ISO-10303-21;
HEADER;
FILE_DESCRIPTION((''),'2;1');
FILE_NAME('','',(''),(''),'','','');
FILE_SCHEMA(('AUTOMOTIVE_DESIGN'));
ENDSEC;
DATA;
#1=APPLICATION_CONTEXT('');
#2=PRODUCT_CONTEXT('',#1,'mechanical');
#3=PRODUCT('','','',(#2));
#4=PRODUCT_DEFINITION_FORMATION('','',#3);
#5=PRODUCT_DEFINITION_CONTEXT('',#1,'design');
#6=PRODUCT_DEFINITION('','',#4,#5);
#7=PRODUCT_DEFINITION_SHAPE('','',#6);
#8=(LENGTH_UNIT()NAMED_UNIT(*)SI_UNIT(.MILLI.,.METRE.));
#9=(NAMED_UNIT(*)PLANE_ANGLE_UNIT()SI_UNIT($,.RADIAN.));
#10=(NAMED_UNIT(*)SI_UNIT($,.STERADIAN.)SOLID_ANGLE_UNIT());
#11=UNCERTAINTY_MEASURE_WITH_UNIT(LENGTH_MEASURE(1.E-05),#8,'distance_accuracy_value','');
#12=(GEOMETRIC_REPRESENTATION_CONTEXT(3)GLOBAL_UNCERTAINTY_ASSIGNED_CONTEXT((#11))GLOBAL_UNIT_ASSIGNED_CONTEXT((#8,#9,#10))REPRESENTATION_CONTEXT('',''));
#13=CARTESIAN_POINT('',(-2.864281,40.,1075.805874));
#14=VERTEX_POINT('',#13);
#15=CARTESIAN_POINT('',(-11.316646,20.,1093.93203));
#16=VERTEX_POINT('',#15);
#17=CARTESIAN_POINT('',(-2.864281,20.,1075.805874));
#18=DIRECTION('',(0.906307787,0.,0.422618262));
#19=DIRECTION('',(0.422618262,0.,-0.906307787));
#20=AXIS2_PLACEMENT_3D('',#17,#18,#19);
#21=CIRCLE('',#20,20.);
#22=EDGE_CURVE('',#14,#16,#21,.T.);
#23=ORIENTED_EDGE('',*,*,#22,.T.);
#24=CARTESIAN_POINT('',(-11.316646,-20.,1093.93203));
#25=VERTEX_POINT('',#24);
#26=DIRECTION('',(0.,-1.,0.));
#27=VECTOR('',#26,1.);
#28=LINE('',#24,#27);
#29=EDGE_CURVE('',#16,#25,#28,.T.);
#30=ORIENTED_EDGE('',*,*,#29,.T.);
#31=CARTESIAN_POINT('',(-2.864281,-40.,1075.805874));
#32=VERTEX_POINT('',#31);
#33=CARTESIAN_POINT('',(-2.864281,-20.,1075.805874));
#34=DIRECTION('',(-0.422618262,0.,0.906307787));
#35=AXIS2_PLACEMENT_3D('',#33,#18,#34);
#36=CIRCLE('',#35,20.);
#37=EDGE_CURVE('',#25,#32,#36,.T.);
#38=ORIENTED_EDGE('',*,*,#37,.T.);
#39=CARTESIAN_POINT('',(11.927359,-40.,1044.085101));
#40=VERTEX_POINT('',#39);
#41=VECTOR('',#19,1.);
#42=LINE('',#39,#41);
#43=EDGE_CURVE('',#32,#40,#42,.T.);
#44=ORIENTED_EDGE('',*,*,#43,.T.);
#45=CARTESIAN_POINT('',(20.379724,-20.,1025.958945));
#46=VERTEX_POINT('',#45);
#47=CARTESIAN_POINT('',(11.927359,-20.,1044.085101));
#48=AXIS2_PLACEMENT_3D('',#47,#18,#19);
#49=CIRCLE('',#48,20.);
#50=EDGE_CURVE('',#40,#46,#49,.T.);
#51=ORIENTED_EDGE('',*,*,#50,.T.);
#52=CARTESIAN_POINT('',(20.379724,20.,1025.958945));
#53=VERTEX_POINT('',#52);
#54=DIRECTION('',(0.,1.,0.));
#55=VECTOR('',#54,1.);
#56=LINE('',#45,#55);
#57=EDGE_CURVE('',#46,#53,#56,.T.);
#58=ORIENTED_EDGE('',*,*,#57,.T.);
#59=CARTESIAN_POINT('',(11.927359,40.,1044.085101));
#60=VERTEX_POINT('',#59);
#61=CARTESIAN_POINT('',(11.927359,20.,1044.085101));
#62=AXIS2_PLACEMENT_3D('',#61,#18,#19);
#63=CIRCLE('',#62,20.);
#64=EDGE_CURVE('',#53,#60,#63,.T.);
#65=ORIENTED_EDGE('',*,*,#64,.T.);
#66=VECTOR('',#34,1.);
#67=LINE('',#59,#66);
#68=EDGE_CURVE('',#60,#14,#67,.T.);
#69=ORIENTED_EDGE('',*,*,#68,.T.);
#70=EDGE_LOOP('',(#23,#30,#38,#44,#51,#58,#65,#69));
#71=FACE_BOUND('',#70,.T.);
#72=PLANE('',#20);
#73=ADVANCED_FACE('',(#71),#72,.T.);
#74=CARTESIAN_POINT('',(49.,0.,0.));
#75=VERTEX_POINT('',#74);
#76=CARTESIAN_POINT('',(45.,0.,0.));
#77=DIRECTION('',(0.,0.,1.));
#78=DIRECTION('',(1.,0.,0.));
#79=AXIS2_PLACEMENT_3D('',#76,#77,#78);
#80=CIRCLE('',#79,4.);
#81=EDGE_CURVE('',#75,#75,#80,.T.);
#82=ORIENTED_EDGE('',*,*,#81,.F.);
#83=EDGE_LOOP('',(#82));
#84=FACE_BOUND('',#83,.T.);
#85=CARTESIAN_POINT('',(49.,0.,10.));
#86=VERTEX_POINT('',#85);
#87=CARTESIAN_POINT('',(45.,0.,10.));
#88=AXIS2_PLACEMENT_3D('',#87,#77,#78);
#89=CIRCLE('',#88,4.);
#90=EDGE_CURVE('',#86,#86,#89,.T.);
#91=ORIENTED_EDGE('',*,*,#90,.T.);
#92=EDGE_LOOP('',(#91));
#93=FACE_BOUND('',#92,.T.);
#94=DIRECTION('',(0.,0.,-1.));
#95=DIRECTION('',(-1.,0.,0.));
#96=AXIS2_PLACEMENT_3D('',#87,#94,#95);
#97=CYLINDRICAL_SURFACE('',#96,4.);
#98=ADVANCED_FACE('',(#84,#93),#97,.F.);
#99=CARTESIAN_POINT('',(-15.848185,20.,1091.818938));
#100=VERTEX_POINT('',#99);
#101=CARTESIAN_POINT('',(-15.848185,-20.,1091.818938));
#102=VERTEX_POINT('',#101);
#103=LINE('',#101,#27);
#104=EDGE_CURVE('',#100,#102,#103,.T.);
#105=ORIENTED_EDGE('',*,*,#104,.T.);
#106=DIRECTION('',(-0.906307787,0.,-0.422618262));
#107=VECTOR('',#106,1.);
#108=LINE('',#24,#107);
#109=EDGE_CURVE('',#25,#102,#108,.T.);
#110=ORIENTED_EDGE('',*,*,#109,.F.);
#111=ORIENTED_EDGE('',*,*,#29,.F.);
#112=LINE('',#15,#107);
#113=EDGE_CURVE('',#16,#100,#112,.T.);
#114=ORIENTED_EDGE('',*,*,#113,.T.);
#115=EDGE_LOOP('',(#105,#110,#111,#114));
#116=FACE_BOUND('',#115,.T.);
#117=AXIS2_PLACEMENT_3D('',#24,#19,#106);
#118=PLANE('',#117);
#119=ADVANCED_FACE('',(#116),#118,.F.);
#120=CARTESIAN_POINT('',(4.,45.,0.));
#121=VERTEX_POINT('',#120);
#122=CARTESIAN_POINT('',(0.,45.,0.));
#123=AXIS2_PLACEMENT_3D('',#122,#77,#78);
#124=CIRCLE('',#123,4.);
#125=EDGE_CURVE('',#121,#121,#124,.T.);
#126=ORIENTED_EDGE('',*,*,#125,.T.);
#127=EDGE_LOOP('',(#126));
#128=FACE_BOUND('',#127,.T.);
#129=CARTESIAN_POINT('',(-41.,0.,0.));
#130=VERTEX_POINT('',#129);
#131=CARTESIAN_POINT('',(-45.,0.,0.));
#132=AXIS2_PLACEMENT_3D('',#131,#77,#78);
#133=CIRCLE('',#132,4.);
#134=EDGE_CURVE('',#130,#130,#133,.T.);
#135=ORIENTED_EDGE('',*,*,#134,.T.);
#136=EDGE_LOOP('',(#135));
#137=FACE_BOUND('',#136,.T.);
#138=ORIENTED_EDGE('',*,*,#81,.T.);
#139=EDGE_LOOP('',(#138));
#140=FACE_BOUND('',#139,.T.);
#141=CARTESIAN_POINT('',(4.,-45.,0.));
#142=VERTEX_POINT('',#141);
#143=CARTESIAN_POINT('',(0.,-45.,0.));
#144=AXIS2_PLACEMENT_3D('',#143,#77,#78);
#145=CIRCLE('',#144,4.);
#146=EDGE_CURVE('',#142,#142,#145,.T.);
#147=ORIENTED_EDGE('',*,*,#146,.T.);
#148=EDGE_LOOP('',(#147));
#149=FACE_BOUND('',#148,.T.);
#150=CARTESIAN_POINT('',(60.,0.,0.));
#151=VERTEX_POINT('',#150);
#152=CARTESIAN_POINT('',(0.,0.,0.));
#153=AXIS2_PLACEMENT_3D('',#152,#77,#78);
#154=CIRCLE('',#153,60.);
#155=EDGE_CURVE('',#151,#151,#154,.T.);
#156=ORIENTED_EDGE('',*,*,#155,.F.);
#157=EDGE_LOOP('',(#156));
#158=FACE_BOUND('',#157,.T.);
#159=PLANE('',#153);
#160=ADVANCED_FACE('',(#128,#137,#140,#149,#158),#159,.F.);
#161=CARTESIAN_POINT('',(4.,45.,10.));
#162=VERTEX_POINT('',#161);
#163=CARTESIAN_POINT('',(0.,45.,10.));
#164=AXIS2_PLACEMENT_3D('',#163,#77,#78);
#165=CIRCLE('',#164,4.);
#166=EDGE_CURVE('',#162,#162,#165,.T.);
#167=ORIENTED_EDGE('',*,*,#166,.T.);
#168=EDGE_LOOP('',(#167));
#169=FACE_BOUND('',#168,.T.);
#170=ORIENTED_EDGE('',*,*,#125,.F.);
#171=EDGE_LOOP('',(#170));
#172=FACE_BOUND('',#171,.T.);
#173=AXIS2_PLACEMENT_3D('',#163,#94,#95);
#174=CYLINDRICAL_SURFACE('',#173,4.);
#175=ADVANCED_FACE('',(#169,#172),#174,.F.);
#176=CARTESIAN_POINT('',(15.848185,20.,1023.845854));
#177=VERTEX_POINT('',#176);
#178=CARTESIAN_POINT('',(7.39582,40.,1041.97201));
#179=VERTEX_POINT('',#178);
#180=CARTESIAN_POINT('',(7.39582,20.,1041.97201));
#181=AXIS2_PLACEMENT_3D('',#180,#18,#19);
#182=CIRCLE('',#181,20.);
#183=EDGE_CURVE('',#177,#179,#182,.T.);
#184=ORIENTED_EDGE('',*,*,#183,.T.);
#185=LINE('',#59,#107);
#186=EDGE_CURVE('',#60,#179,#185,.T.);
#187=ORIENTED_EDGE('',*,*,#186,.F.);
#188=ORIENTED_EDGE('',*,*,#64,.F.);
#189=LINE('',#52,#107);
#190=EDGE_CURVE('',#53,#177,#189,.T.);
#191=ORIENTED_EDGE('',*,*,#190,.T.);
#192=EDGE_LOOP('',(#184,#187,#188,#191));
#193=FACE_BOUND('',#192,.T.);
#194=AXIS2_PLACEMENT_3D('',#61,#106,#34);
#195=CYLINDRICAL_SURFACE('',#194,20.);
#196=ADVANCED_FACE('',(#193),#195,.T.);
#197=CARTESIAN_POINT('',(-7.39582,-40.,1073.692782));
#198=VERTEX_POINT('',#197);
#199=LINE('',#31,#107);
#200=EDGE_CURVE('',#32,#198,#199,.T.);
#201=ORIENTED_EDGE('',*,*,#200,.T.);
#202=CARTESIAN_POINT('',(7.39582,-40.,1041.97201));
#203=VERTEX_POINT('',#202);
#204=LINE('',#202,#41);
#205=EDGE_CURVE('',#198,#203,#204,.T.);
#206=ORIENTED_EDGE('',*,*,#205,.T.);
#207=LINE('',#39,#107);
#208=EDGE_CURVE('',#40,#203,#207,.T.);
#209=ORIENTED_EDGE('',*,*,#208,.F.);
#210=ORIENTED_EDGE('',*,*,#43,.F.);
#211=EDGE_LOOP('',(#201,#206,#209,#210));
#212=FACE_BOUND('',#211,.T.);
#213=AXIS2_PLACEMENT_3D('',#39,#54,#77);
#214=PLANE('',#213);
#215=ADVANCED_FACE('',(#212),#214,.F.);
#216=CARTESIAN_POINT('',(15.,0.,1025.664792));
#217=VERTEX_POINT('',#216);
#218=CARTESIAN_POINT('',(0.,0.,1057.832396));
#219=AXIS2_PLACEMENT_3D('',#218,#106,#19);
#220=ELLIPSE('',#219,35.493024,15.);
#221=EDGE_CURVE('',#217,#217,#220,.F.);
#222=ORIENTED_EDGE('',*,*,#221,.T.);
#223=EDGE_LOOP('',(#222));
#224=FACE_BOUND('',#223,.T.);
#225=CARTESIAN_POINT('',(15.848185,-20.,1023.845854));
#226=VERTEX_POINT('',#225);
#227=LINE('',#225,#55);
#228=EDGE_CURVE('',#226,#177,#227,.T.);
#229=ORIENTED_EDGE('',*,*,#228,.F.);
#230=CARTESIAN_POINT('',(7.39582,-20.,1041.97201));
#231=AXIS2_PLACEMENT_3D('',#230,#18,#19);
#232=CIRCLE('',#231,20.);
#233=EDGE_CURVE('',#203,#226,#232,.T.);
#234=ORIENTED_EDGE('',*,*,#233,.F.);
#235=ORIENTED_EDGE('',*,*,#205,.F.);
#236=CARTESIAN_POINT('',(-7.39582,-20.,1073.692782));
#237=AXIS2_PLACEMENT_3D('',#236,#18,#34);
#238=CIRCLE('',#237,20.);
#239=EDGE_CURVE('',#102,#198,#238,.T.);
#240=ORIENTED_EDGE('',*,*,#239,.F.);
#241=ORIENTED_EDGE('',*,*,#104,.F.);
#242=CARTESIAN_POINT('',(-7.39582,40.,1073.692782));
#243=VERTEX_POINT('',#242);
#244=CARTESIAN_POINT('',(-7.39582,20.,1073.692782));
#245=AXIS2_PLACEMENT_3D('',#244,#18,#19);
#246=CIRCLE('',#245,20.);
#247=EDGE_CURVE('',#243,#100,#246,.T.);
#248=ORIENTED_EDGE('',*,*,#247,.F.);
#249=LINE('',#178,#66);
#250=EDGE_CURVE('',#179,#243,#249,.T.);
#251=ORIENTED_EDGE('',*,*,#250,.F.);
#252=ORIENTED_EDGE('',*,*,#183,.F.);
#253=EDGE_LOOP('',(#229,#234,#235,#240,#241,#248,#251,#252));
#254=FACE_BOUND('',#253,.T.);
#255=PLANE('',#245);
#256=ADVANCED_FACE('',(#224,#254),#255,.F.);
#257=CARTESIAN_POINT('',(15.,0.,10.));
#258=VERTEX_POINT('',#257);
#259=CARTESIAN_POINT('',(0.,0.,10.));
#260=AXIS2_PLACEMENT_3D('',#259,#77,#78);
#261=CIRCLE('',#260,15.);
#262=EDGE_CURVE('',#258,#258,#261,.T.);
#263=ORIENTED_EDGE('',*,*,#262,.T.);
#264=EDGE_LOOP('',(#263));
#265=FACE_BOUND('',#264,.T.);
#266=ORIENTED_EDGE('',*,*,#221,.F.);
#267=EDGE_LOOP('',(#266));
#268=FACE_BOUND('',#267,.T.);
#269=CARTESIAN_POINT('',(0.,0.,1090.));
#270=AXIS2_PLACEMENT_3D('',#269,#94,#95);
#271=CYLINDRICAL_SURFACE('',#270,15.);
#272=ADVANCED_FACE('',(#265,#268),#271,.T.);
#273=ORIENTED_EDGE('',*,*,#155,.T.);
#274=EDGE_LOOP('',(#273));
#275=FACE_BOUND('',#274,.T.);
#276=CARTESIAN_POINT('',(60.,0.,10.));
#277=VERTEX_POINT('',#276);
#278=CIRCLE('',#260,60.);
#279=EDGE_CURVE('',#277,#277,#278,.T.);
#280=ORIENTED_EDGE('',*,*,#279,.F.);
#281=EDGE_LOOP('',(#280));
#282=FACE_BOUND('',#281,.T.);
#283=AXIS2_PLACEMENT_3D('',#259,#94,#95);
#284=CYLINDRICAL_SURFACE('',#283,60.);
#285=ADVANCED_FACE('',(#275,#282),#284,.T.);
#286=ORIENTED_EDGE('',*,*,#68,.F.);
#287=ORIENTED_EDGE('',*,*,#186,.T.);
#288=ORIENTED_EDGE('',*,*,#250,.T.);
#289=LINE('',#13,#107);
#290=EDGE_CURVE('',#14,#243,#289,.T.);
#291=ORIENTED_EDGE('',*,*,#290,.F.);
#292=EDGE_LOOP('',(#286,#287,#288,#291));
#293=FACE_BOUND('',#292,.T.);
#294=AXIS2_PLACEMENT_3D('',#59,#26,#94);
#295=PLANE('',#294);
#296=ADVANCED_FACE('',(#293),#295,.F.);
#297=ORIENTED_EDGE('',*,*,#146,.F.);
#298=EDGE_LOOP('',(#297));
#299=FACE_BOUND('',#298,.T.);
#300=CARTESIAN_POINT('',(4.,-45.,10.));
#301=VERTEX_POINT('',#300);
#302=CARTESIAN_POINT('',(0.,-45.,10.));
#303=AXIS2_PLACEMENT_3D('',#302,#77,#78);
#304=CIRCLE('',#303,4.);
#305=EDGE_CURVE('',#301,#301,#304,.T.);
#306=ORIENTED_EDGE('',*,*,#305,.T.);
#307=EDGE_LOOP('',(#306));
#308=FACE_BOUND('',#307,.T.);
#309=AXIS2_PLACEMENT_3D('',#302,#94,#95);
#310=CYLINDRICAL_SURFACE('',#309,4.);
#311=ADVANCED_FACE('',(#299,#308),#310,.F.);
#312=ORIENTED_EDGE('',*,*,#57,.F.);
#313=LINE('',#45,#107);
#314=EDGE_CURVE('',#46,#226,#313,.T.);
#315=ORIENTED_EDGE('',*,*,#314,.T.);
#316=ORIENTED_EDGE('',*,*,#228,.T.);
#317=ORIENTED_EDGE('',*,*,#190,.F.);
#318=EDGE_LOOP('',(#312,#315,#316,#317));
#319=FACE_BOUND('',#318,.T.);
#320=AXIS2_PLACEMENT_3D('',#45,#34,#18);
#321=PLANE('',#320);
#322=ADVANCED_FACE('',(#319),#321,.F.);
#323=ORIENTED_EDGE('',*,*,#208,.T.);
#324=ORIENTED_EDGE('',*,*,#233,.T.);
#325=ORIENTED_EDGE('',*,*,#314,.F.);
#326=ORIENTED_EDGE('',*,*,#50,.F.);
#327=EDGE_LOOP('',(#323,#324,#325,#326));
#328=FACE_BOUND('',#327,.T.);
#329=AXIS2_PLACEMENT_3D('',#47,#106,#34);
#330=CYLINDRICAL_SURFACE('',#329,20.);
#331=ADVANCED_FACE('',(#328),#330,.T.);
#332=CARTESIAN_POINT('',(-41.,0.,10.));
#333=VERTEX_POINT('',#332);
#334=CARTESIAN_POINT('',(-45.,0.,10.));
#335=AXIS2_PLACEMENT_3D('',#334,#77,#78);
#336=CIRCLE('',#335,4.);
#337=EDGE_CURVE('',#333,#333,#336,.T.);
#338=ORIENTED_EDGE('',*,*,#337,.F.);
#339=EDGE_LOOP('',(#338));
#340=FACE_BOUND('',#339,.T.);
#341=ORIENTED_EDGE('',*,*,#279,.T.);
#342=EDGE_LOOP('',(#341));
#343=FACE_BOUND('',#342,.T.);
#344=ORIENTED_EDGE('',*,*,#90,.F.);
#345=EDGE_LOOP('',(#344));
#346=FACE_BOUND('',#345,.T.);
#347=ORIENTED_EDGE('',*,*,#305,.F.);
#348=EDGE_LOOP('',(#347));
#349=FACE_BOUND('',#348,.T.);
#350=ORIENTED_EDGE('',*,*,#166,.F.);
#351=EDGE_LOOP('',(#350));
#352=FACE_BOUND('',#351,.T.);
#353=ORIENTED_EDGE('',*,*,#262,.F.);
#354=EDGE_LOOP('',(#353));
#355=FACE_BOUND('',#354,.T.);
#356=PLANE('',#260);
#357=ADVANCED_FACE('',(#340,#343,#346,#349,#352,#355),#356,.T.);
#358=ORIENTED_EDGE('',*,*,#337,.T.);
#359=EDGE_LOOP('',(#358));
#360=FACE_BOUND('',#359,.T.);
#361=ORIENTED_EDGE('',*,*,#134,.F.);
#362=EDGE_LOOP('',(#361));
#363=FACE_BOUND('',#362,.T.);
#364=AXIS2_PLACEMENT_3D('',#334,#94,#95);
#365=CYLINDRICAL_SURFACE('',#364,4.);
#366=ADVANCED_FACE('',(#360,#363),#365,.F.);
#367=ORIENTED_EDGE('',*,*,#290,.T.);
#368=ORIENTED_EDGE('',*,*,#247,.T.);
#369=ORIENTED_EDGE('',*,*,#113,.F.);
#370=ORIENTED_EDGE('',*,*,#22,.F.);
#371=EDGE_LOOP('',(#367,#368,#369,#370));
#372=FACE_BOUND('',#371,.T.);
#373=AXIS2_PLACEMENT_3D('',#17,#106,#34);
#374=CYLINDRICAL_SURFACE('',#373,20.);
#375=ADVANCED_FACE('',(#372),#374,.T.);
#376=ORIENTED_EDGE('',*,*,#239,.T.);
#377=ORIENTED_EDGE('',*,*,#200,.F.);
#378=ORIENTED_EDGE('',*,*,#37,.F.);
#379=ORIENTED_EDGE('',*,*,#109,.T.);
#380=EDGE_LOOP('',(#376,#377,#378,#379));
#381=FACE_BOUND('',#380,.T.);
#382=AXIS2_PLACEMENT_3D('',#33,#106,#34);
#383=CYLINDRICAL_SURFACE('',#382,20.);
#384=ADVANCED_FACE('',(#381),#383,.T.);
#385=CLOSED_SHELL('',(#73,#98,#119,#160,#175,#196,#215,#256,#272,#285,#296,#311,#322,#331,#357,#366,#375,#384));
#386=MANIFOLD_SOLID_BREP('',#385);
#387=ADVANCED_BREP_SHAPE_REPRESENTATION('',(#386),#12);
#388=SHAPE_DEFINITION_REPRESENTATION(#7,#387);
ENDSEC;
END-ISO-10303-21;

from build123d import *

# Parameters (mm, degrees)
SKETCH1_R           = 60
SKETCH1_R_2         = 4
BOSS_EXTRUDE1_DEPTH = 10
SKETCH2_R           = 15
BOSS_EXTRUDE2_DEPTH = 1080
CUT_EXTRUDE1_REACH  = 1017.827
SKETCH4_W           = 30
SKETCH4_H           = 150
BOSS_EXTRUDE3_DEPTH = 5


with BuildPart() as part:
    # Sketch1 → Boss-Extrude1 (new body)
    with BuildSketch(Plane.XY):
        Circle(SKETCH1_R)
        with Locations((0, 45)):
            Circle(SKETCH1_R_2, mode=Mode.SUBTRACT)
        with Locations((45, 0)):
            Circle(SKETCH1_R_2, mode=Mode.SUBTRACT)
        with Locations((0, -45)):
            Circle(SKETCH1_R_2, mode=Mode.SUBTRACT)
        with Locations((-45, 0)):
            Circle(SKETCH1_R_2, mode=Mode.SUBTRACT)
    extrude(amount=BOSS_EXTRUDE1_DEPTH)

    # Sketch2 → Boss-Extrude2 (add)
    with BuildSketch(Plane.XY.offset(10)):
        Circle(SKETCH2_R)
    extrude(amount=BOSS_EXTRUDE2_DEPTH)

    # Sketch4 → Cut-Extrude1 (cut, up to next)
    with BuildSketch(Plane(origin=(405.173314427, 0, 188.935419397), x_dir=(0, -1, 0), z_dir=(0.906307787036651, 0, 0.4226182617406972)), mode=Mode.PRIVATE) as cut_extrude1_sk1:
        with Locations((0, -987.87548787)):
            Rectangle(SKETCH4_W, SKETCH4_H)
    cut_extrude1_tool1 = extrude(cut_extrude1_sk1.sketch, amount=CUT_EXTRUDE1_REACH, mode=Mode.PRIVATE) & part.part
    add(cut_extrude1_tool1.solids().sort_by_distance((-12.320907, 0, 1084.254667))[0], mode=Mode.SUBTRACT)

    # Sketch5 → Boss-Extrude3 (add)
    with BuildSketch(Plane(origin=(405.173314427, 0, 188.935419397), x_dir=(0.42261826174069705, 0, -0.906307787036651), z_dir=(0.906307787036651, 0, 0.42261826174069705))):
        with BuildLine():
            Line((-941.221738049, -40), (-976.221738049, -40))
            ThreePointArc((-976.221738049, -40), (-990.363873672, -34.142135624), (-996.221738049, -20))
            Line((-996.221738049, -20), (-996.221738049, 20))
            ThreePointArc((-996.221738049, 20), (-990.363873672, 34.142135624), (-976.221738049, 40))
            Line((-976.221738049, 40), (-941.221738049, 40))
            ThreePointArc((-941.221738049, 40), (-927.079602425, 34.142135624), (-921.221738049, 20))
            Line((-921.221738049, 20), (-921.221738049, -20))
            ThreePointArc((-921.221738049, -20), (-927.079602425, -34.142135624), (-941.221738049, -40))
        make_face()
    extrude(amount=BOSS_EXTRUDE3_DEPTH)


solid = part.part
